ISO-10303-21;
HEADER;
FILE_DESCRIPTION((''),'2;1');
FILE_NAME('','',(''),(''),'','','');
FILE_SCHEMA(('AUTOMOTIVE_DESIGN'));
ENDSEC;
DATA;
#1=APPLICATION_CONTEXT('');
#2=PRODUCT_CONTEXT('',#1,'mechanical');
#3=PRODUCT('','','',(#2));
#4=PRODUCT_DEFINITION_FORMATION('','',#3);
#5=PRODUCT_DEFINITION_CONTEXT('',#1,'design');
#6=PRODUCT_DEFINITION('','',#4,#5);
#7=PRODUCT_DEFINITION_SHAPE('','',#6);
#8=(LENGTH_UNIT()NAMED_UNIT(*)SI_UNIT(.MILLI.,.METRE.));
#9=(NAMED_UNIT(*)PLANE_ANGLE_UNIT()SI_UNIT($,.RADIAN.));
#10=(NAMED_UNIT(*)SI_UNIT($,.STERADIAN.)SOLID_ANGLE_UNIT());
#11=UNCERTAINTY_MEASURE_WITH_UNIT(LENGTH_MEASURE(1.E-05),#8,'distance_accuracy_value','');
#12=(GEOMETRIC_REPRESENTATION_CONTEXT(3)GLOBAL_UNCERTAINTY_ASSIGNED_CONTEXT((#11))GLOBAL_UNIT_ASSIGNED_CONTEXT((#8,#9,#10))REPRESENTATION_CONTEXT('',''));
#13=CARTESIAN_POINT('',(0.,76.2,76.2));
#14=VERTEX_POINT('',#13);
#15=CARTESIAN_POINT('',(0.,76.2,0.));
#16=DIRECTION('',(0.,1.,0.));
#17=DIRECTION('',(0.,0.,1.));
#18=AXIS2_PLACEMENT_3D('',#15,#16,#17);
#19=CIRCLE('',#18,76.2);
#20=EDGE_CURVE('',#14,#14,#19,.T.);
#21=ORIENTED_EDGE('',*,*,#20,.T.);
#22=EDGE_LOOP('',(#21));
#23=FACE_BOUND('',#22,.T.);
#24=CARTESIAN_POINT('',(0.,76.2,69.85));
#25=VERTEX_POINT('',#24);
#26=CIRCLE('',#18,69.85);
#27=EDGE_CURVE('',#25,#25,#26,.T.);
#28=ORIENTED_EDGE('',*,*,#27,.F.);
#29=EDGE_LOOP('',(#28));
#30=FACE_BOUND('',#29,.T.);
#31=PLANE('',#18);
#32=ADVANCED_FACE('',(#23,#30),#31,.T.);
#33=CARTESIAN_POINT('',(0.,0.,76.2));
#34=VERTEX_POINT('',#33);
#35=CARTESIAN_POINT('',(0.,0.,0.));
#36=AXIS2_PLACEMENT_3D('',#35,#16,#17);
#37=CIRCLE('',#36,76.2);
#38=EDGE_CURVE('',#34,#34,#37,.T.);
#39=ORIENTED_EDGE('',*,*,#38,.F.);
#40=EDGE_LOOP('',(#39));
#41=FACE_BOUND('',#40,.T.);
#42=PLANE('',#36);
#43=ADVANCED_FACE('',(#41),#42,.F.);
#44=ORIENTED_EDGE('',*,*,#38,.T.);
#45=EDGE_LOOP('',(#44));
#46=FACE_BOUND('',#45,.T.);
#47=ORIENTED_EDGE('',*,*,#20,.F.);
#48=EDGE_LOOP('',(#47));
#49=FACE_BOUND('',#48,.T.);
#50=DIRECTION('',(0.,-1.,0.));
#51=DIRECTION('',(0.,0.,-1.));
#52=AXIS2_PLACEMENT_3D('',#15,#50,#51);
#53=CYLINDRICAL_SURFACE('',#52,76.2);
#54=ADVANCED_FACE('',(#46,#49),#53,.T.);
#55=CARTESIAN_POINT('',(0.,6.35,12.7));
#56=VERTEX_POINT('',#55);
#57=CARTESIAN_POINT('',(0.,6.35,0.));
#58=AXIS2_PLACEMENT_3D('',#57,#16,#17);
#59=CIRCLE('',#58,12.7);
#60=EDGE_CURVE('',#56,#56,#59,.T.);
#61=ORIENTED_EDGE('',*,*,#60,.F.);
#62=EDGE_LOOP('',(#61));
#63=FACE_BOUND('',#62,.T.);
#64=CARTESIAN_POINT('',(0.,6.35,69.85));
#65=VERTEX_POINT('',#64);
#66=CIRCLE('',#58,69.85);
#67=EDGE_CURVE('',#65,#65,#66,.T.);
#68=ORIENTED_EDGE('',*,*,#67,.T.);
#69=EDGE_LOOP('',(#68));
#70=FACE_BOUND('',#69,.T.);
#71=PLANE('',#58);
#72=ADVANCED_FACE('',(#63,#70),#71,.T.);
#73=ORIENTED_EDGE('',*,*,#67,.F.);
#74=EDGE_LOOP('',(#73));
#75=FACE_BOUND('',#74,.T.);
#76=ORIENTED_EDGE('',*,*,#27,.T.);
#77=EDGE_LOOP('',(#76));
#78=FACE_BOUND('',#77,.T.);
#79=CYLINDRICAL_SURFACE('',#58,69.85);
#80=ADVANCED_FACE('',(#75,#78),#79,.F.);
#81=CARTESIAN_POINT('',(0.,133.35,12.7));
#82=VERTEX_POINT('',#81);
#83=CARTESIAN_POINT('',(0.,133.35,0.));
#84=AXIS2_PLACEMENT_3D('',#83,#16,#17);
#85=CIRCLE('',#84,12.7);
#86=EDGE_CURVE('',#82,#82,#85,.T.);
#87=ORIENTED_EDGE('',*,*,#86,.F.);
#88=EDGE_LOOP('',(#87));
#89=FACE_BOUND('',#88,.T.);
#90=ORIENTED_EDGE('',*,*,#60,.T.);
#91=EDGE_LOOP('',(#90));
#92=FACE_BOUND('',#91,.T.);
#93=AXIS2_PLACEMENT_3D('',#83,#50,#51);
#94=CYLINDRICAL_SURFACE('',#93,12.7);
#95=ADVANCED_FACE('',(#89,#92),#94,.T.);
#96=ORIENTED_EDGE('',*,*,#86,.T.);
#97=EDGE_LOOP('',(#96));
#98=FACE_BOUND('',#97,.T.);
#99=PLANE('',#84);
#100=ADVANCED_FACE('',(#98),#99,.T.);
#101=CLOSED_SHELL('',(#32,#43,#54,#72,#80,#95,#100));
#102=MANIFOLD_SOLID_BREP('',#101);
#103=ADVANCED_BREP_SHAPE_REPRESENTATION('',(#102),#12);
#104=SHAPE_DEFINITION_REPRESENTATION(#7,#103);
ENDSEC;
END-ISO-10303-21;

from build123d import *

# Parameters (mm, degrees)
SKETCH1_R           = 76.2
BOSS_EXTRUDE1_DEPTH = 76.2
SKETCH2_R           = 12.7
BOSS_EXTRUDE2_DEPTH = 57.15
SKETCH3_R           = 69.85
SKETCH3_R_2         = 12.7
CUT_EXTRUDE1_DEPTH  = 69.85


with BuildPart() as part:
    # Sketch1 → Boss-Extrude1 (new body)
    with BuildSketch(Plane(origin=(0, 0, 0), x_dir=(1, 0, 0), z_dir=(0, 1, 0))):
        Circle(SKETCH1_R)
    extrude(amount=BOSS_EXTRUDE1_DEPTH)

    # Sketch2 → Boss-Extrude2 (add)
    with BuildSketch(Plane(origin=(0, 76.2, 0), x_dir=(1, 0, 0), z_dir=(0, 1, 0))):
        Circle(SKETCH2_R)
    extrude(amount=BOSS_EXTRUDE2_DEPTH)

    # Sketch3 → Cut-Extrude1 (cut)
    with BuildSketch(Plane(origin=(0, 76.2, 0), x_dir=(1, 0, 0), z_dir=(0, 1, 0))):
        Circle(SKETCH3_R)
        Circle(SKETCH3_R_2, mode=Mode.SUBTRACT)
    extrude(amount=-CUT_EXTRUDE1_DEPTH, mode=Mode.SUBTRACT)


solid = part.part
